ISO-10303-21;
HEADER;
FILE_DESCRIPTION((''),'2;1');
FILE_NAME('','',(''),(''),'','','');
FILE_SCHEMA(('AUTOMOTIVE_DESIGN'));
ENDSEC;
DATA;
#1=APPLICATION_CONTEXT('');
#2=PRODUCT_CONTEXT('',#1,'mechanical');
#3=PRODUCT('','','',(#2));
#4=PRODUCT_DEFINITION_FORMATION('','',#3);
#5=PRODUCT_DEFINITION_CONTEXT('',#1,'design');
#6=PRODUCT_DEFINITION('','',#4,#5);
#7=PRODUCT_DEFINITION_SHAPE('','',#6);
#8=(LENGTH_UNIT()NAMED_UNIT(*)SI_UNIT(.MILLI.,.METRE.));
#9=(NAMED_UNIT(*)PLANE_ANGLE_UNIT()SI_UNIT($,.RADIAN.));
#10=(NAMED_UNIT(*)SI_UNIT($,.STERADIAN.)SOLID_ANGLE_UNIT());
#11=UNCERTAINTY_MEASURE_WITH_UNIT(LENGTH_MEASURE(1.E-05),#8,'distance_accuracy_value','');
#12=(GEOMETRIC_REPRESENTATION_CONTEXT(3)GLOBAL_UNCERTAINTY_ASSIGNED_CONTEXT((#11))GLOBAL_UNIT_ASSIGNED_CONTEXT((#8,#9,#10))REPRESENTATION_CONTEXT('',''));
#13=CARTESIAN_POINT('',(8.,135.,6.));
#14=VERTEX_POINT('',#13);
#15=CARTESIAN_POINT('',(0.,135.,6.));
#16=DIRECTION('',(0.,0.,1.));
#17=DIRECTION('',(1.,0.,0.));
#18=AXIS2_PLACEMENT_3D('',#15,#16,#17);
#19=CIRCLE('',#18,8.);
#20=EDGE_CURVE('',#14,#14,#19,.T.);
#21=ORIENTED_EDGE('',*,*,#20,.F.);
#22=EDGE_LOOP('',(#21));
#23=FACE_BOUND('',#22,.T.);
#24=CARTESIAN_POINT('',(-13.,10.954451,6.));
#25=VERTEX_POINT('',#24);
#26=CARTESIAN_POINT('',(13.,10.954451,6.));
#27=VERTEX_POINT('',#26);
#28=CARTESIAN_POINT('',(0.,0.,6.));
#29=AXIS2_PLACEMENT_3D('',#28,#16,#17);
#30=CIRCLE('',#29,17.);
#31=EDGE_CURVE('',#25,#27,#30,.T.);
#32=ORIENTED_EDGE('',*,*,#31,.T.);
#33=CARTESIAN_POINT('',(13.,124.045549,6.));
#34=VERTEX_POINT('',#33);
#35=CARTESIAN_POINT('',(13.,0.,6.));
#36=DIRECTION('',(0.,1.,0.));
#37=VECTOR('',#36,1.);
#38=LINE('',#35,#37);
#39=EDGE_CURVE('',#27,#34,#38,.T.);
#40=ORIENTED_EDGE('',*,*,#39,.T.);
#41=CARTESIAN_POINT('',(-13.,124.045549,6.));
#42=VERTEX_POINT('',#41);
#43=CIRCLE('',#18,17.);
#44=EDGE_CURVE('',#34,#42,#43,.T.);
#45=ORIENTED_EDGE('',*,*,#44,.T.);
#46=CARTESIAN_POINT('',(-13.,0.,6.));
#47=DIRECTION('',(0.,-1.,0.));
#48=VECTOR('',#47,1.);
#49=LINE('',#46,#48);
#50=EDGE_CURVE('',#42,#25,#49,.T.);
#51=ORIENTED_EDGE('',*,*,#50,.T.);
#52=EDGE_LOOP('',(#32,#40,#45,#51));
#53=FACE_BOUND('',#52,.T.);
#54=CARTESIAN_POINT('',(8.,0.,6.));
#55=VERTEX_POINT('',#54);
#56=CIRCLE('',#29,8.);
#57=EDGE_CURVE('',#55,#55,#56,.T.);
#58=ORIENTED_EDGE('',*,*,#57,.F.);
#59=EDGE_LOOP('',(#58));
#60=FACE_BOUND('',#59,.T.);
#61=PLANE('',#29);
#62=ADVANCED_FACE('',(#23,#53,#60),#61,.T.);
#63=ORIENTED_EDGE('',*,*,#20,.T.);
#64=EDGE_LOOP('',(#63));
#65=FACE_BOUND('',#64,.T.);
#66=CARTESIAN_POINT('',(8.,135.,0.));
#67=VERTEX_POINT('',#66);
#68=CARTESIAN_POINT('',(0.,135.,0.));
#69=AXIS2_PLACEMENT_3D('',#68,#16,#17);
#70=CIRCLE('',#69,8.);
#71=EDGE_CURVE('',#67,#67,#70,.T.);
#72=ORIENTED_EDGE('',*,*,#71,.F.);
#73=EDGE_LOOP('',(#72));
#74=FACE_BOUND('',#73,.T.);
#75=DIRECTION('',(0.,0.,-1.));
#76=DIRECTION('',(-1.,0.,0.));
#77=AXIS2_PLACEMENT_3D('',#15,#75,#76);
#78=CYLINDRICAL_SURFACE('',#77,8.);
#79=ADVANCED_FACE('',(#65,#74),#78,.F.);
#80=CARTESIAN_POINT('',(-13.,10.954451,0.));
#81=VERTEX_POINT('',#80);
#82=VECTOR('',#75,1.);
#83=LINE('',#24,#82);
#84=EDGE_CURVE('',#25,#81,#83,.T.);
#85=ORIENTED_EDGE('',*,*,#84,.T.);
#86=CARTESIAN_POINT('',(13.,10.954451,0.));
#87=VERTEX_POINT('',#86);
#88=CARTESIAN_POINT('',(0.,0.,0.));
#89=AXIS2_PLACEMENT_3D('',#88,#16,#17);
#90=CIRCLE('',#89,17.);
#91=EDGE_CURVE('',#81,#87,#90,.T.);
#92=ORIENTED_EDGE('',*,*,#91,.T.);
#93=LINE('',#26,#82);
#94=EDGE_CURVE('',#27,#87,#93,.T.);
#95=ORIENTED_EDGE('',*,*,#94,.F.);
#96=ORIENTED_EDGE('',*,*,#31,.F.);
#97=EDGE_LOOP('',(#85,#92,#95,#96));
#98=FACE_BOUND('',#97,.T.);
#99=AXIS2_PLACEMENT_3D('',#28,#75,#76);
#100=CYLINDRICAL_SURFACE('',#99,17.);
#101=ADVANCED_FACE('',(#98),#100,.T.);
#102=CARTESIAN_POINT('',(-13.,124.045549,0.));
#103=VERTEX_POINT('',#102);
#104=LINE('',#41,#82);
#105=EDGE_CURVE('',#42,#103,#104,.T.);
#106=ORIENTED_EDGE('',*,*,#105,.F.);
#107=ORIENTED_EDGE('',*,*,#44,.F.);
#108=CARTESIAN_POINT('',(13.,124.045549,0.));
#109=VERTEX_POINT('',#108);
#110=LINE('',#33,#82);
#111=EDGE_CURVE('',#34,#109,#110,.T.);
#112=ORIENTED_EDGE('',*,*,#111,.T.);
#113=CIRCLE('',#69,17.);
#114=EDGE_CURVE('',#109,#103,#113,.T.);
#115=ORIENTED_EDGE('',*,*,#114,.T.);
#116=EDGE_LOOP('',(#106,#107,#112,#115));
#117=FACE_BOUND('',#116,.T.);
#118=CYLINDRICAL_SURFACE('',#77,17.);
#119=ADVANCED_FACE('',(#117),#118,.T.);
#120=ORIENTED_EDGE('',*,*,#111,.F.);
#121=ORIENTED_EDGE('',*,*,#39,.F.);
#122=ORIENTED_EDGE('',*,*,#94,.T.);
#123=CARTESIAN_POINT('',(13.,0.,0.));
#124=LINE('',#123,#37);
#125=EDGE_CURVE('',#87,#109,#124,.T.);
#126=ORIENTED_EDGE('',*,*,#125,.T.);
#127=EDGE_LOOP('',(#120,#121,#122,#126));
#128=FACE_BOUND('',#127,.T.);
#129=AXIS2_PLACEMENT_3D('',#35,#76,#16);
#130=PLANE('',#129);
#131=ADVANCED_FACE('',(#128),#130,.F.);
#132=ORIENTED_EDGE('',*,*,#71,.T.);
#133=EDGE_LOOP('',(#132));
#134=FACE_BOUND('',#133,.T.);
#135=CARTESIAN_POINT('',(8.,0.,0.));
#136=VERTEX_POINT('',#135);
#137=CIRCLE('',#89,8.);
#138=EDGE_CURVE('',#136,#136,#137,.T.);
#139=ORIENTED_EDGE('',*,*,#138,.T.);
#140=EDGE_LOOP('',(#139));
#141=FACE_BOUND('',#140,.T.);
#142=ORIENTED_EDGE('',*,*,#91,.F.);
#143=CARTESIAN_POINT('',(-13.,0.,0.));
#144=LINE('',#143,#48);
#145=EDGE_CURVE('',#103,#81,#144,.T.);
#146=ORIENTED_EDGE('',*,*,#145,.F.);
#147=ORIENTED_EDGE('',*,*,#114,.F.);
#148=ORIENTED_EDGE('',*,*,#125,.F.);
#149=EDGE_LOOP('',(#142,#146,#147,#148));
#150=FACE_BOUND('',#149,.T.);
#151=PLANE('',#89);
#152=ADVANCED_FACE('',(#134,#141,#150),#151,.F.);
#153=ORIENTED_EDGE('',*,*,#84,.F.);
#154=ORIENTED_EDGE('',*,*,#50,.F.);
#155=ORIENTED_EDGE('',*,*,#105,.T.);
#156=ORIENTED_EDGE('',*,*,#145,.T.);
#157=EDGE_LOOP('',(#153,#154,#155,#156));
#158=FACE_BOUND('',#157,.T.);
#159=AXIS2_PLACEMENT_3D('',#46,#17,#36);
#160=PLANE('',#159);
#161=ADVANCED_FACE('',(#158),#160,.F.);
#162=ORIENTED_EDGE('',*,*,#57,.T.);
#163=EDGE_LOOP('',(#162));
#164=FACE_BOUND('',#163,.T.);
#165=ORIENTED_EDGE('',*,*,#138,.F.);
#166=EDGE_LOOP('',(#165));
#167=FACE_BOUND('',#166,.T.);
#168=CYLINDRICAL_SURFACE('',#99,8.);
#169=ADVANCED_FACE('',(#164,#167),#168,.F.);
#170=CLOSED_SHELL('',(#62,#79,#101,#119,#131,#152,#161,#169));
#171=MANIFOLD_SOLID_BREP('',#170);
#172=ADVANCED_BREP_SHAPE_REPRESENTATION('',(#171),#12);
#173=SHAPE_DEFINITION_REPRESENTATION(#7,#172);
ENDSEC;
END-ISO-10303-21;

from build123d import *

# Parameters (mm, degrees)
ESQUISSE1_R        = 8
BOSS_EXTRU_1_DEPTH = 6


with BuildPart() as part:
    # Esquisse1 → Boss.-Extru.1 (new body)
    with BuildSketch(Plane.XY):
        with BuildLine():
            Line((13, 10.95445115), (13, 124.04554885))
            ThreePointArc((13, 124.04554885), (0, 152), (-13, 124.04554885))
            Line((-13, 124.04554885), (-13, 10.95445115))
            ThreePointArc((-13, 10.95445115), (0, -17), (13, 10.95445115))
        make_face()
        with Locations((0, 135)):
            Circle(ESQUISSE1_R, mode=Mode.SUBTRACT)
        Circle(ESQUISSE1_R, mode=Mode.SUBTRACT)
    extrude(amount=BOSS_EXTRU_1_DEPTH)


solid = part.part
